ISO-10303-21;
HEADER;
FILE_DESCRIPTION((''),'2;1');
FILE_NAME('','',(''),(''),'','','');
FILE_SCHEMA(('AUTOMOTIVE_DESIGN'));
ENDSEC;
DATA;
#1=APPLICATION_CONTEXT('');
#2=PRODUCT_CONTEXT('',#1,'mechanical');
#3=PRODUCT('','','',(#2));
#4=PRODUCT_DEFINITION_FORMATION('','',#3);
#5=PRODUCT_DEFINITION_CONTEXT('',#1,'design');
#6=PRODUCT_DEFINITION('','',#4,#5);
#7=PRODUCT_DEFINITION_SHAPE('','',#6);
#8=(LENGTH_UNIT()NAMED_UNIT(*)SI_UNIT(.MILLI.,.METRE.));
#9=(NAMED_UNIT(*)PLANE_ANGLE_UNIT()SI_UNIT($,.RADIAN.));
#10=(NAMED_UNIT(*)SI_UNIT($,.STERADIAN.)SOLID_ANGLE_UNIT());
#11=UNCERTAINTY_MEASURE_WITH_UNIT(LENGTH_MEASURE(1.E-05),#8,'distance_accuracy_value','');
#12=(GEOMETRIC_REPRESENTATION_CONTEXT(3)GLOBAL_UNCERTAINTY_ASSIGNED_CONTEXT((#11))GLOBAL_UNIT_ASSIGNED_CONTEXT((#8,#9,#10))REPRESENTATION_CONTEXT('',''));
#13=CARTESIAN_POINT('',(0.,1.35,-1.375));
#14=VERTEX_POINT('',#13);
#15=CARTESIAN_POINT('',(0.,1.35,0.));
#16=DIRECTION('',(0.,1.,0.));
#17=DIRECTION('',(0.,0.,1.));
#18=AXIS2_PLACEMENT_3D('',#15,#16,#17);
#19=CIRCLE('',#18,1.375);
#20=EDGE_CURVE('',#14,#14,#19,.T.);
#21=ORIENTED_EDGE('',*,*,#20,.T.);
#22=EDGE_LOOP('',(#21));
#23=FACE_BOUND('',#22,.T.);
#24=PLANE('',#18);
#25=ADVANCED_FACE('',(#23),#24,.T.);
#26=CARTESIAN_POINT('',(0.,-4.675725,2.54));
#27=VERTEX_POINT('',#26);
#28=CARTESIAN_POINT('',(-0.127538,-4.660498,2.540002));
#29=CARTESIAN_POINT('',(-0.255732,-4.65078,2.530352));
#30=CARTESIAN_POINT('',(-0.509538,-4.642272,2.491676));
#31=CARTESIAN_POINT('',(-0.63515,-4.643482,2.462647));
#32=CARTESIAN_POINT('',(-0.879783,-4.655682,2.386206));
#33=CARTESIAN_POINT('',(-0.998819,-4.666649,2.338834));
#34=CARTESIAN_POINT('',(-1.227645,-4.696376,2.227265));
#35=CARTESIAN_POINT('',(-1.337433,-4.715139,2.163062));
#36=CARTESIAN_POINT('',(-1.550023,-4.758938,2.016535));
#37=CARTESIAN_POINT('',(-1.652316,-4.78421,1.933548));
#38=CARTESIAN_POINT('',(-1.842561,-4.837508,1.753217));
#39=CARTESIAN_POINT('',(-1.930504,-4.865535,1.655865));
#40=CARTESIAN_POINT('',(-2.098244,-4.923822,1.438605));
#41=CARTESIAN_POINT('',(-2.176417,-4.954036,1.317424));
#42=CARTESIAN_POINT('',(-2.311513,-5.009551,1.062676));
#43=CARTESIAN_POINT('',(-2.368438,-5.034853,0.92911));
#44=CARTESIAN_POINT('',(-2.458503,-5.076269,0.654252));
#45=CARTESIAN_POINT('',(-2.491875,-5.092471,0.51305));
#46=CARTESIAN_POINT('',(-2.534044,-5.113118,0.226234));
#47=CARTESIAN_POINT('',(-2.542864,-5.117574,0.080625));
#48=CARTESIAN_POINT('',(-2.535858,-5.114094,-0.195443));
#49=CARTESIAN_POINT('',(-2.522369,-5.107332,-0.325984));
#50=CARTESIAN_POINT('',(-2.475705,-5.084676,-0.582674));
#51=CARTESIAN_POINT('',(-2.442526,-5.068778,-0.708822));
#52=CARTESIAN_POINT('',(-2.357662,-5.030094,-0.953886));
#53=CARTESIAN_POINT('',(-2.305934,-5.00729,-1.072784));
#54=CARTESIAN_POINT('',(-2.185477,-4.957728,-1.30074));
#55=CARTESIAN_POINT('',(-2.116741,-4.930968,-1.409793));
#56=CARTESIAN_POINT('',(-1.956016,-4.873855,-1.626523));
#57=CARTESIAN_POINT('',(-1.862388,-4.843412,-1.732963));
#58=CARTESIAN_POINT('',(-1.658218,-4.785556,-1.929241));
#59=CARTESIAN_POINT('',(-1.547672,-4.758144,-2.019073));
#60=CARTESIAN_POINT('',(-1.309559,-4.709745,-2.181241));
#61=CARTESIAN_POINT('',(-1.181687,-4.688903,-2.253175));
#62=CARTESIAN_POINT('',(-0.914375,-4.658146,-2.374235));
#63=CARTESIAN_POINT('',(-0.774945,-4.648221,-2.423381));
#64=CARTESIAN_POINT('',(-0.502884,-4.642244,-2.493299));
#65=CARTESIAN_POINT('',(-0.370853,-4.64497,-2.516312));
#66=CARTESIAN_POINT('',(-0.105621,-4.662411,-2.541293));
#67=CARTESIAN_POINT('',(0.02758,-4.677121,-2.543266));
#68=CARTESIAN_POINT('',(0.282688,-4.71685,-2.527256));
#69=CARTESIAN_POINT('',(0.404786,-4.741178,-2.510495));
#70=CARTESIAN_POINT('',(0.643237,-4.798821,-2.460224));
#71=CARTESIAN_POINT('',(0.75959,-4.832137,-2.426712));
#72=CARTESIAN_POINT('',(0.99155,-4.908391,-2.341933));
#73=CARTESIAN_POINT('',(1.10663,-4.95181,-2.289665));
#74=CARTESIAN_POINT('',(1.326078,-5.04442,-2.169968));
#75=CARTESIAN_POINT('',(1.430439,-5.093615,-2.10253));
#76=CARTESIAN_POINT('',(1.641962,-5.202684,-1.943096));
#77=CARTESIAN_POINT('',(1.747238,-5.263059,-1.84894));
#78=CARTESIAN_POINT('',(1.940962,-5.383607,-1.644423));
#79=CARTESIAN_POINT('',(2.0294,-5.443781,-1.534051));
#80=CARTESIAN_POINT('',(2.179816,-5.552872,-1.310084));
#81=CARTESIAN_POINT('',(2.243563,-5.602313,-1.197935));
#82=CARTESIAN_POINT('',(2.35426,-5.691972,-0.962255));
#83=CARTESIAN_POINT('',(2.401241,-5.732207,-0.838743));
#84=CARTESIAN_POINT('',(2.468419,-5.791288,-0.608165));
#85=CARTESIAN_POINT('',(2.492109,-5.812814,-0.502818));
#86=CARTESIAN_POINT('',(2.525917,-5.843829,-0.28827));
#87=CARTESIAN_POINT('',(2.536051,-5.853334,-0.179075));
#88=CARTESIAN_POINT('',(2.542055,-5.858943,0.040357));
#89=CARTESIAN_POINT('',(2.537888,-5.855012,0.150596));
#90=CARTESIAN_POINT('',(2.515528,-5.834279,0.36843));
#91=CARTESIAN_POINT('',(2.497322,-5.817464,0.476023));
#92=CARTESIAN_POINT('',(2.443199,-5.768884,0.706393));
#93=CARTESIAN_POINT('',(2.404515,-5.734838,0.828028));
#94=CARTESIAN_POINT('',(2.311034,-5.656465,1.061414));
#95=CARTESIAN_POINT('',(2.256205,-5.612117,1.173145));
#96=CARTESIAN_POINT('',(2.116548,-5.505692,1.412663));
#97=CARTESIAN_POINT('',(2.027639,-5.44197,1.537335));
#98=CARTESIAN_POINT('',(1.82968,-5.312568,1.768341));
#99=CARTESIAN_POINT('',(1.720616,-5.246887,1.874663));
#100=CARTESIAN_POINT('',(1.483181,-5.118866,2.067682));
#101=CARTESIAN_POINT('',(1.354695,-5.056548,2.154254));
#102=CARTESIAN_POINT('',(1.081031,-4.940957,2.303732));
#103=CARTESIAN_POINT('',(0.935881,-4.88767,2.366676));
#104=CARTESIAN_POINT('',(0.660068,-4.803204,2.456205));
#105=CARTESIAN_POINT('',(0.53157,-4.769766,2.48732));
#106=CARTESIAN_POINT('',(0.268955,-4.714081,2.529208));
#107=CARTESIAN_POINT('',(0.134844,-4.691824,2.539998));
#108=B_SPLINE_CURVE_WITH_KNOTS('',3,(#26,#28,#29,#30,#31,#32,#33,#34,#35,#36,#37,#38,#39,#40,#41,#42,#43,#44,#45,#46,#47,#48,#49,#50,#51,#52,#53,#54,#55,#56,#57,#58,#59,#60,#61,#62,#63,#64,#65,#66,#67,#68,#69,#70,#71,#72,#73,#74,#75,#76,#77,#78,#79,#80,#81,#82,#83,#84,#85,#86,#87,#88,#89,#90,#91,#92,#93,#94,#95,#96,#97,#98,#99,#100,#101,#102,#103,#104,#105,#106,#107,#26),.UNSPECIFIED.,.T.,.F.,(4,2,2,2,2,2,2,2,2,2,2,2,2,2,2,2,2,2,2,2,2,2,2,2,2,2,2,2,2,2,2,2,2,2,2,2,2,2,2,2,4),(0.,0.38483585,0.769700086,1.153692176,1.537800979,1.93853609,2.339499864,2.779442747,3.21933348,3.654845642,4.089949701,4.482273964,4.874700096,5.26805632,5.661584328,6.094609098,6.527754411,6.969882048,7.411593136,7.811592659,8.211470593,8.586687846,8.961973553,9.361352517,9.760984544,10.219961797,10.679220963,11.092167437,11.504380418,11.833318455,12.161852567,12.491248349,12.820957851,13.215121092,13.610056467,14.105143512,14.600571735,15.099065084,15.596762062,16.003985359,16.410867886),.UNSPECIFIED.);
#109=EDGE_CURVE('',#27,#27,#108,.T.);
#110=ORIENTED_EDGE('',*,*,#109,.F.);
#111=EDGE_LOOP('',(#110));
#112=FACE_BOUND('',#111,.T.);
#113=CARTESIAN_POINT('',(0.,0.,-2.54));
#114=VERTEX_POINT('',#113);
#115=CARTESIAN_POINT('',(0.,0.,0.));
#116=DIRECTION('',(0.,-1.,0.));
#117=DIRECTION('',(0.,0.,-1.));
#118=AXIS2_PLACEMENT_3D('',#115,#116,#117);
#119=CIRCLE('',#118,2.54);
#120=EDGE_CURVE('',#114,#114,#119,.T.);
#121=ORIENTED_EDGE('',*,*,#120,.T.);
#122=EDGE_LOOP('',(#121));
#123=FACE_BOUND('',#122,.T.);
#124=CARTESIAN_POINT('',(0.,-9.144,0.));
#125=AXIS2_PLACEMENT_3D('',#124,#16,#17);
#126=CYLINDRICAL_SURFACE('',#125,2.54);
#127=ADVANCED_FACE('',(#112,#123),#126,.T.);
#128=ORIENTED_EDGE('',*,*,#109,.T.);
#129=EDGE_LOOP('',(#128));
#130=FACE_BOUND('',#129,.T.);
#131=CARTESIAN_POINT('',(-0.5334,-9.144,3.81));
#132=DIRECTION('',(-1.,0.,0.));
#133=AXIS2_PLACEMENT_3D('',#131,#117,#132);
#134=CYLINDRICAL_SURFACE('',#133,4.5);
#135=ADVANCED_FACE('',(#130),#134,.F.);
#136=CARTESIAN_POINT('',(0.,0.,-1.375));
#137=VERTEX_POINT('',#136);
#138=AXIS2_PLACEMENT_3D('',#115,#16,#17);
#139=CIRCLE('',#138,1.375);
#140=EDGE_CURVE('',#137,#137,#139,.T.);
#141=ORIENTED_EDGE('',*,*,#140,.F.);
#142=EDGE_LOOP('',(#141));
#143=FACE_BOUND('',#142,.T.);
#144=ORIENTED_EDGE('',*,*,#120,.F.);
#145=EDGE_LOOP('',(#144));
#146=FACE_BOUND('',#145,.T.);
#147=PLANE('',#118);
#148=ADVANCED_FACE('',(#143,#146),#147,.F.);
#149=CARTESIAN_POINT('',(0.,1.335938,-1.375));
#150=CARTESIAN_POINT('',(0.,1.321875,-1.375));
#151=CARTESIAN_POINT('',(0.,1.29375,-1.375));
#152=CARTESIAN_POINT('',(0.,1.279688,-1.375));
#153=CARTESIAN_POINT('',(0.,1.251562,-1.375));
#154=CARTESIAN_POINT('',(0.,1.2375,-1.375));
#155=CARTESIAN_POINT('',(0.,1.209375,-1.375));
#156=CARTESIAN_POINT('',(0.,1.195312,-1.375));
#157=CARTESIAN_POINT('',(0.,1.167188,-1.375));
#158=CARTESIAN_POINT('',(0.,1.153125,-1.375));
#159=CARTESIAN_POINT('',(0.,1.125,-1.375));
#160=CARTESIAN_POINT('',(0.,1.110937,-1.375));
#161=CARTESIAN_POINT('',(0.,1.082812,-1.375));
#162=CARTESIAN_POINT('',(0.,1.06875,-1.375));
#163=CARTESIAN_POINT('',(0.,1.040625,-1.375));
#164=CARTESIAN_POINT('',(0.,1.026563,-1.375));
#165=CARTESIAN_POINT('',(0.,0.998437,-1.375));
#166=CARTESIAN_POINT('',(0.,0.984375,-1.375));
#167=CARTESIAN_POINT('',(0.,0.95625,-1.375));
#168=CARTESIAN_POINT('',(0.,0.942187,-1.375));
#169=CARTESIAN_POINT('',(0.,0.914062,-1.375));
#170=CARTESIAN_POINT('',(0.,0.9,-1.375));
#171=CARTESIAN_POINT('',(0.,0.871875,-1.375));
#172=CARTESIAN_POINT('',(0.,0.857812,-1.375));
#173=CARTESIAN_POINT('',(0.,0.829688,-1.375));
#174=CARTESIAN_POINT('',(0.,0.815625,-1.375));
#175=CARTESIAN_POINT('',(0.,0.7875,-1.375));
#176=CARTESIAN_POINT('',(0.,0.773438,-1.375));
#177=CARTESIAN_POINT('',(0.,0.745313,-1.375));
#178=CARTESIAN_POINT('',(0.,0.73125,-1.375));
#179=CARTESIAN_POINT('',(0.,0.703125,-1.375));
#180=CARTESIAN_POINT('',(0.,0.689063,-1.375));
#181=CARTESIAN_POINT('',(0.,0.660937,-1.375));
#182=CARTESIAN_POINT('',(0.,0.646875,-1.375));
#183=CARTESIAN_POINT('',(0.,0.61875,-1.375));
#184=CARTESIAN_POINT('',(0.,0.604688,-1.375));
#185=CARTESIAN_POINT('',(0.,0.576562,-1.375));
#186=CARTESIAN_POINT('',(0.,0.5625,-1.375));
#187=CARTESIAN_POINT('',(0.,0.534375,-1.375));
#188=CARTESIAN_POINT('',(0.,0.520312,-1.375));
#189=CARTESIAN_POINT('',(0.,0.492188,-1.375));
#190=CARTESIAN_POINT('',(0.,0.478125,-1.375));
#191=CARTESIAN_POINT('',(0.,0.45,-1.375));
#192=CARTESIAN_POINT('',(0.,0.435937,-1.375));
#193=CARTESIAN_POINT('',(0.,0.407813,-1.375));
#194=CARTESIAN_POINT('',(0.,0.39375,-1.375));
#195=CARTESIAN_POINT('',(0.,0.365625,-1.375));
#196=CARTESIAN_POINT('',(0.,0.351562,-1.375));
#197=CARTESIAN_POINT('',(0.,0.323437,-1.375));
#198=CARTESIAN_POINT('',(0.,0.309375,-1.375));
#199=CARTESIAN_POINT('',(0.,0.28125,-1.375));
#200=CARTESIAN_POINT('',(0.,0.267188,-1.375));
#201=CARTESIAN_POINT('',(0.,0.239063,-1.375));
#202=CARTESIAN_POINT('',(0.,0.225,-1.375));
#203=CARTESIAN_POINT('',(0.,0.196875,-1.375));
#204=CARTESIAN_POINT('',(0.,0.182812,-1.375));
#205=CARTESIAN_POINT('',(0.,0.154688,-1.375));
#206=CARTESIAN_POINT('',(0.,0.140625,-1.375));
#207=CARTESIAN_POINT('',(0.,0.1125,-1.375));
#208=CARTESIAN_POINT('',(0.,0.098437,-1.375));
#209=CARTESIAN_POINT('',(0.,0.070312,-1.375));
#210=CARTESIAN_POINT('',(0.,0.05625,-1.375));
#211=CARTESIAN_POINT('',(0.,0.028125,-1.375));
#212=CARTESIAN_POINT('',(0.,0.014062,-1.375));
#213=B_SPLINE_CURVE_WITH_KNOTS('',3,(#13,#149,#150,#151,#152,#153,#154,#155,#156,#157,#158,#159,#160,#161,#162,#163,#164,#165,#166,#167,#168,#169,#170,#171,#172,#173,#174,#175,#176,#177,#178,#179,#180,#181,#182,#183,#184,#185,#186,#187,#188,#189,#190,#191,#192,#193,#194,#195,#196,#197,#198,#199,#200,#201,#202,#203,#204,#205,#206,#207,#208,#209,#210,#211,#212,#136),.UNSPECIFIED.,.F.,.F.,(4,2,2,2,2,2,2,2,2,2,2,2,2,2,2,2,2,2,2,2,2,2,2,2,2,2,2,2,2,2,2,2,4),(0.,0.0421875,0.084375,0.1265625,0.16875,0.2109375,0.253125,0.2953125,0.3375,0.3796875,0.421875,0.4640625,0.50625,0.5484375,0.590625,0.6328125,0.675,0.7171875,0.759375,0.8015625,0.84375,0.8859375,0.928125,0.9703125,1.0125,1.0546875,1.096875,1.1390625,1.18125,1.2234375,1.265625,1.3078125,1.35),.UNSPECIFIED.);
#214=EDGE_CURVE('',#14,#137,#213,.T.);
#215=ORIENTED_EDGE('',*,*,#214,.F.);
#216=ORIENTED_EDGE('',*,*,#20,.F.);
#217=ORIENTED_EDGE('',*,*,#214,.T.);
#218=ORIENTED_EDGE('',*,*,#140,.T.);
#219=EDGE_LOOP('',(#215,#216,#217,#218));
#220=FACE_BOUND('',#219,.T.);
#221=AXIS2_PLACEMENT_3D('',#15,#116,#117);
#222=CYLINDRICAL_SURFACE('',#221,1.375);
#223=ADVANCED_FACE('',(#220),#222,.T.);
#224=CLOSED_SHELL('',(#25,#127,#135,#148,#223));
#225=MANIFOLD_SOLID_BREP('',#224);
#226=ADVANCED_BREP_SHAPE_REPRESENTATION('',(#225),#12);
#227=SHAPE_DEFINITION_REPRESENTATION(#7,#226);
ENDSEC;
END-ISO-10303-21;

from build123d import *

# Parameters (mm, degrees)
SKETCH1_R           = 1.375
BOSS_EXTRUDE1_DEPTH = 1.35
SKETCH2_R           = 2.54
BOSS_EXTRUDE2_DEPTH = 9.144
SKETCH3_R           = 4.5
CUT_EXTRUDE1_DEPTH  = 3.81


with BuildPart() as part:
    # Sketch1 → Boss-Extrude1 (new body)
    with BuildSketch(Plane(origin=(0, 0, 0), x_dir=(1, 0, 0), z_dir=(0, 1, 0))):
        with Locations(Location((0, 0, 0), (0, 0, 90))):
            Circle(SKETCH1_R)
    extrude(amount=BOSS_EXTRUDE1_DEPTH)

    # Sketch2 → Boss-Extrude2 (add)
    with BuildSketch(Plane.XZ):
        with Locations(Location((0, 0, 0), (0, 0, 270))):
            Circle(SKETCH2_R)
    extrude(amount=BOSS_EXTRUDE2_DEPTH)

    # Sketch3 → Cut-Extrude1 (cut, symmetric)
    with BuildSketch(Plane.XY):
        with Locations((-0.5334, -9.144)):
            Circle(SKETCH3_R)
    extrude(amount=CUT_EXTRUDE1_DEPTH, both=True, mode=Mode.SUBTRACT)


solid = part.part
